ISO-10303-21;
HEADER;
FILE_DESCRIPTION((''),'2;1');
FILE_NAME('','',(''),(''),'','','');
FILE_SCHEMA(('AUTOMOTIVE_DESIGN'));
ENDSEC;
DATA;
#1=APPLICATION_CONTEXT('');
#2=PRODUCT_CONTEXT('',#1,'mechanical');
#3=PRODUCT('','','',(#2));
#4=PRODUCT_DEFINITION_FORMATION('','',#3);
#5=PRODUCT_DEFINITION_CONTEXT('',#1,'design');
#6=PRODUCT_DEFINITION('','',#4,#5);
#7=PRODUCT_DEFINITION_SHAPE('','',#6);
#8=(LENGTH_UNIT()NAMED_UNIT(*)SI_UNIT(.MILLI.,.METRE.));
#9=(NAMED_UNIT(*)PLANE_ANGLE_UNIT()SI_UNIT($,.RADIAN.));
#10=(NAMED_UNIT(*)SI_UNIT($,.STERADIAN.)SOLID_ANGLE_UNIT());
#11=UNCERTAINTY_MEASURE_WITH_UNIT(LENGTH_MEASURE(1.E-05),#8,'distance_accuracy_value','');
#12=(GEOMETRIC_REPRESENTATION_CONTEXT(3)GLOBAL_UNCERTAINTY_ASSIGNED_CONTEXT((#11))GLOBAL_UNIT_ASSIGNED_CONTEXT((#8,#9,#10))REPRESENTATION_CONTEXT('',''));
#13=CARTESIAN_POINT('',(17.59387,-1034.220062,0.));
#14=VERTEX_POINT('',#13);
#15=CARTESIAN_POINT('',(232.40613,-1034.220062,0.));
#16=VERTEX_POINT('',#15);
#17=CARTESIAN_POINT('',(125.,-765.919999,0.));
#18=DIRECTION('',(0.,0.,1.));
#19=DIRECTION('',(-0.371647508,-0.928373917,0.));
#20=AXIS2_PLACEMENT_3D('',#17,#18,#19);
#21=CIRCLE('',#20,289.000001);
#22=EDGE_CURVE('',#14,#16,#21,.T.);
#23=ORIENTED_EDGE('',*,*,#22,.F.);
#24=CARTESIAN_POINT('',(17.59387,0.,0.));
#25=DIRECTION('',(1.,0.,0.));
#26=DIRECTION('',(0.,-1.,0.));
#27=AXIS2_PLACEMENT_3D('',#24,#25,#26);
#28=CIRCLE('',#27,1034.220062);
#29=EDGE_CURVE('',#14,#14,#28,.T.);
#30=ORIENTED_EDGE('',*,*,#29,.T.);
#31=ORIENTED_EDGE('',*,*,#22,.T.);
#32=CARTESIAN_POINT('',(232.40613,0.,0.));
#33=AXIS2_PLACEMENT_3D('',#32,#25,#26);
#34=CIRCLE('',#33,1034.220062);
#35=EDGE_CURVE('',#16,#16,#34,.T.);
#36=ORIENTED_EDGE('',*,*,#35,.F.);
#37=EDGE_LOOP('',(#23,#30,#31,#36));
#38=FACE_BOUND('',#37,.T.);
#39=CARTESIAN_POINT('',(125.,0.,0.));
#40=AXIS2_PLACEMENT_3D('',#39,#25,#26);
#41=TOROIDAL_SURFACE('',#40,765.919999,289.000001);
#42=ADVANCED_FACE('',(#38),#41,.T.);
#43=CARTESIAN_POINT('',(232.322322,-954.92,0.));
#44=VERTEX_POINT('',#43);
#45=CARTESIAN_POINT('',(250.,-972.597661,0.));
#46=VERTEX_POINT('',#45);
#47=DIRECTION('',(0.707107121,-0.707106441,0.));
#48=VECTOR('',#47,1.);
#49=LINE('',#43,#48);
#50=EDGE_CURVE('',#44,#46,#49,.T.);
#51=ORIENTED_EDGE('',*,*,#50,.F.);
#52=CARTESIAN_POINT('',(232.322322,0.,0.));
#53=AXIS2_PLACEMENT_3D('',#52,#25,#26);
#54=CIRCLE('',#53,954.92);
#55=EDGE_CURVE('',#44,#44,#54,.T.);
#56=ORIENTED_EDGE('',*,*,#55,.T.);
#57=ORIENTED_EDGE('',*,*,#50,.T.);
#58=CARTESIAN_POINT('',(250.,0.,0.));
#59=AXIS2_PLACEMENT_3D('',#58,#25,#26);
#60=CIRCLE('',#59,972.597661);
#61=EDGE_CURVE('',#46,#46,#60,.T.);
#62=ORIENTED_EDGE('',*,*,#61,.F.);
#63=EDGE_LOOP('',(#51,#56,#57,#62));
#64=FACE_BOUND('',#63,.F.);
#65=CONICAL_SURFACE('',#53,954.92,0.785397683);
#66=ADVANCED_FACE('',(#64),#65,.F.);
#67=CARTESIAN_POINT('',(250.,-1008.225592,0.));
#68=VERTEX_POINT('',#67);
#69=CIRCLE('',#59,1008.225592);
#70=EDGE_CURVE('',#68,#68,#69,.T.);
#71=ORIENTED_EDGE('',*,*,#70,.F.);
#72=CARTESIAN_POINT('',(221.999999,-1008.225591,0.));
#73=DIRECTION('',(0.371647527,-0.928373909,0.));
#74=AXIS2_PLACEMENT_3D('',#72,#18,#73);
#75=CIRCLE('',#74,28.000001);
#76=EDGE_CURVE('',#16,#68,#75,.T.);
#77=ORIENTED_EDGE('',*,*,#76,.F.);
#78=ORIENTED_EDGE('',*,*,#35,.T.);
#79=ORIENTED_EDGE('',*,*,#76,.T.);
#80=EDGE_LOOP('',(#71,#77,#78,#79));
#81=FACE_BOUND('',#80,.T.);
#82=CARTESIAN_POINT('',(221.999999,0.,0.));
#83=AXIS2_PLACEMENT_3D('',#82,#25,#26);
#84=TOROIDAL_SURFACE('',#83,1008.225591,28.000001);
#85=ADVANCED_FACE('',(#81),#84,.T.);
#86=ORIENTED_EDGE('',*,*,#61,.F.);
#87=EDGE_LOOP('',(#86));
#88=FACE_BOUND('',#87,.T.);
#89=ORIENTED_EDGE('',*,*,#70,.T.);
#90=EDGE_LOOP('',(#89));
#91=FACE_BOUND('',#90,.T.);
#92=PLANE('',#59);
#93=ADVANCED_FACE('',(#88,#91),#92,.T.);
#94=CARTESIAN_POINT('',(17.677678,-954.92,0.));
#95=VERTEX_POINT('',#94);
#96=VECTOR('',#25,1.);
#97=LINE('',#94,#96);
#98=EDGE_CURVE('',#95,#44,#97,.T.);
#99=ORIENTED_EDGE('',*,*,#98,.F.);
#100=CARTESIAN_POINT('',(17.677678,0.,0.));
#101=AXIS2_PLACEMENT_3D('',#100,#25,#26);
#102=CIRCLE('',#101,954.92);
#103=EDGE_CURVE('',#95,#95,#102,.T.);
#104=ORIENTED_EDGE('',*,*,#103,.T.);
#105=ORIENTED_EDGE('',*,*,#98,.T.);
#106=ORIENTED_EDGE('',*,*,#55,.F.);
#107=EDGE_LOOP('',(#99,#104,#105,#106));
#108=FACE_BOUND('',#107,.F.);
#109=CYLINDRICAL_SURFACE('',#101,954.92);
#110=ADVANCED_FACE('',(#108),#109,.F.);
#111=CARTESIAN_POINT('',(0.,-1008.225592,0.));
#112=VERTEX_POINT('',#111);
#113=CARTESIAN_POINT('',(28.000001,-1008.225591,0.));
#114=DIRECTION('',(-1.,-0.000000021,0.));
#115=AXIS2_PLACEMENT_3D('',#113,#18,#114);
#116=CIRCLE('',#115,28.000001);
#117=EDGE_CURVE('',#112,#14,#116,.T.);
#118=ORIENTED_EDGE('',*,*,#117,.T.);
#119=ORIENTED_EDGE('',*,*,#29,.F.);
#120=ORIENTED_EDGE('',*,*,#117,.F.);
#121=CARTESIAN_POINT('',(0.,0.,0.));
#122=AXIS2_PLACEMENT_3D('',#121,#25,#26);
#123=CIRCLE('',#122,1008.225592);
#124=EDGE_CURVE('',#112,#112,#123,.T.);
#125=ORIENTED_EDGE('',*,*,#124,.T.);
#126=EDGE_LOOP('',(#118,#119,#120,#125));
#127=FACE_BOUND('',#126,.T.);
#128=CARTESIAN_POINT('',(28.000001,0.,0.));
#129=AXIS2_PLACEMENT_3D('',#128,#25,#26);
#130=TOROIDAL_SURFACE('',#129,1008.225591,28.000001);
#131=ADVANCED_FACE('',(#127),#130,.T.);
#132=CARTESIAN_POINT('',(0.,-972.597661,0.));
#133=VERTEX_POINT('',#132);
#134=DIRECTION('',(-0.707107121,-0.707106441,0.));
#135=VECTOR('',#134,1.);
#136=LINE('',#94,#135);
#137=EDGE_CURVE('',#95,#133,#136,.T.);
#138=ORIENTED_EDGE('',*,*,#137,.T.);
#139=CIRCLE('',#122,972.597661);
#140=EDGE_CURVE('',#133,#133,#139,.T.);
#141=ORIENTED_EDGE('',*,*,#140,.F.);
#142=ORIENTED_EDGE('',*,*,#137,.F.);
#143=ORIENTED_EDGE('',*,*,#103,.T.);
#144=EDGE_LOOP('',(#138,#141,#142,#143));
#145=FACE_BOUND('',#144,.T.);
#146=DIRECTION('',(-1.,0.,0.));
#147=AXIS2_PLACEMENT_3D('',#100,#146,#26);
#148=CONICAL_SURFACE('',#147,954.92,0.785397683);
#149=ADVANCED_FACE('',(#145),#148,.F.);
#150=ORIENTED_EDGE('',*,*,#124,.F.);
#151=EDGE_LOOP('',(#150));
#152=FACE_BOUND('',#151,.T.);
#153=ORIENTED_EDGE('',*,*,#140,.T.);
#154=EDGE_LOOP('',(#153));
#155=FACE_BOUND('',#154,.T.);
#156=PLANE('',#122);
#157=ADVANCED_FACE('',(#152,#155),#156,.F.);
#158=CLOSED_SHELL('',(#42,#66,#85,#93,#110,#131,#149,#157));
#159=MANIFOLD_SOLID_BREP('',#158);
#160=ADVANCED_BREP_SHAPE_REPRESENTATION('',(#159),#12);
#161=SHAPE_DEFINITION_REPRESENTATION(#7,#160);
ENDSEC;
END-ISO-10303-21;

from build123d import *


with BuildPart() as part:
    # Sketch → Revolution (revolve)
    with BuildSketch(Plane.XY):
        with BuildLine():
            Line((17.677678, -954.92), (232.322322, -954.92))
            Line((232.322322, -954.92), (250, -972.597661))
            Line((250, -1008.225592), (250, -972.597661))
            ThreePointArc((232.40613, -1034.220062), (245.188053, -1023.919992), (250, -1008.225592))
            ThreePointArc((17.59387, -1034.220062), (125, -1054.92), (232.40613, -1034.220062))
            ThreePointArc((0, -1008.225592), (4.811947, -1023.919992), (17.59387, -1034.220062))
            Line((0, -972.597661), (0, -1008.225592))
            Line((17.677678, -954.92), (0, -972.597661))
        make_face()
    revolve(axis=Axis((0, 0, 0), (1, 0, 0)))


solid = part.part
